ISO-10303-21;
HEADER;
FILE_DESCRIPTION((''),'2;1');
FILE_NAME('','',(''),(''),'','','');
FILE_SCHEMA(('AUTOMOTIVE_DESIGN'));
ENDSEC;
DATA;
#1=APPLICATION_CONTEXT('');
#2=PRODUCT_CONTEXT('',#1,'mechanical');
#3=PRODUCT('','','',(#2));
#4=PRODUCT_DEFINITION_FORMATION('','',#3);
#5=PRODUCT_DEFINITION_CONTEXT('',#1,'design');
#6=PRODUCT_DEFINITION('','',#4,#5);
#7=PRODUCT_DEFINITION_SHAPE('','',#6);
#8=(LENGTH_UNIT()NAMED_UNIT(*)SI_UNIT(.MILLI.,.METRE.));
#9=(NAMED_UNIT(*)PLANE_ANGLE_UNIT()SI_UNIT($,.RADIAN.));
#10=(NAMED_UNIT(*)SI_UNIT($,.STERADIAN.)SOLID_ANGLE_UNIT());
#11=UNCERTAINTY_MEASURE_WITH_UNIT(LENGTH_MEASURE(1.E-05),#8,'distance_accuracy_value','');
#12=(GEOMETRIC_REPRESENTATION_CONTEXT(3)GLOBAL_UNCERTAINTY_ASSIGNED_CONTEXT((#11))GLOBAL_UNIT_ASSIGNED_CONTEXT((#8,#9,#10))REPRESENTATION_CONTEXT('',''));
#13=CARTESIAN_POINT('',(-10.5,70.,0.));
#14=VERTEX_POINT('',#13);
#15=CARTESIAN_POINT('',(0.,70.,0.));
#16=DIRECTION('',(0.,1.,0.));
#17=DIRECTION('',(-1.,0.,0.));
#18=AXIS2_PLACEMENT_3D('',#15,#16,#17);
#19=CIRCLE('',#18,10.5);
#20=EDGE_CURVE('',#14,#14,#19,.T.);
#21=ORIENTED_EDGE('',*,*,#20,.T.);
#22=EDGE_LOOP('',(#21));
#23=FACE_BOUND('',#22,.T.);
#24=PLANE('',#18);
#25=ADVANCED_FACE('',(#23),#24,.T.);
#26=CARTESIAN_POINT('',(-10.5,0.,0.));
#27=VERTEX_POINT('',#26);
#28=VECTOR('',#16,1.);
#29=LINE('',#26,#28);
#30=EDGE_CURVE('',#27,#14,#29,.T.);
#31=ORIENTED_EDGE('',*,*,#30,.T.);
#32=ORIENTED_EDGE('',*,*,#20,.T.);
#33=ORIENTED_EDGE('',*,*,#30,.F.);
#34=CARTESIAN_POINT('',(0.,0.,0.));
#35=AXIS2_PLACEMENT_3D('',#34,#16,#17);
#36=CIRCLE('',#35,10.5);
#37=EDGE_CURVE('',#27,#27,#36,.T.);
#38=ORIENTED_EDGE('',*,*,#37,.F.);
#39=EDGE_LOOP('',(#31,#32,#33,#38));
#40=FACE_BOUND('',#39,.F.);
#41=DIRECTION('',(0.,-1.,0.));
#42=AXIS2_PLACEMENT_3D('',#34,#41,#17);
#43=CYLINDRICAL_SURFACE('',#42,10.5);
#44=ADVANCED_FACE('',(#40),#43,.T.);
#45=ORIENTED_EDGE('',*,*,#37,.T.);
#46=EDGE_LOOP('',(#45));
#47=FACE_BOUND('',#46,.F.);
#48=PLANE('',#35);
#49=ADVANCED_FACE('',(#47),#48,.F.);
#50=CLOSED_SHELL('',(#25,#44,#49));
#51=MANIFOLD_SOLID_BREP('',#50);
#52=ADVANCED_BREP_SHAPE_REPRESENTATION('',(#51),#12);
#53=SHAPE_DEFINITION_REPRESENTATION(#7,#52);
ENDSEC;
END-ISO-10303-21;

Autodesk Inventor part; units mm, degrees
ref_plane "YZ Plane" through (0, 0, 0) normal (1, 0, 0) x (0, 1, 0)
ref_plane "XZ Plane" through (0, 0, 0) normal (0, 1, 0) x (-1, 0, 0)
ref_plane "XY Plane" through (0, 0, 0) normal (0, 0, 1) x (1, 0, 0)
sketch "Sketch1" plane through (0, 0, 0) normal (0, 1, 0) x (-1, 0, 0)
  circle A0 centre (0, 0) radius 10.5
  dimension "d0" = 21
extrude "Extrusion1" add sketch "Sketch1" along normal blind 70
properties part number "21700(Blue)"
